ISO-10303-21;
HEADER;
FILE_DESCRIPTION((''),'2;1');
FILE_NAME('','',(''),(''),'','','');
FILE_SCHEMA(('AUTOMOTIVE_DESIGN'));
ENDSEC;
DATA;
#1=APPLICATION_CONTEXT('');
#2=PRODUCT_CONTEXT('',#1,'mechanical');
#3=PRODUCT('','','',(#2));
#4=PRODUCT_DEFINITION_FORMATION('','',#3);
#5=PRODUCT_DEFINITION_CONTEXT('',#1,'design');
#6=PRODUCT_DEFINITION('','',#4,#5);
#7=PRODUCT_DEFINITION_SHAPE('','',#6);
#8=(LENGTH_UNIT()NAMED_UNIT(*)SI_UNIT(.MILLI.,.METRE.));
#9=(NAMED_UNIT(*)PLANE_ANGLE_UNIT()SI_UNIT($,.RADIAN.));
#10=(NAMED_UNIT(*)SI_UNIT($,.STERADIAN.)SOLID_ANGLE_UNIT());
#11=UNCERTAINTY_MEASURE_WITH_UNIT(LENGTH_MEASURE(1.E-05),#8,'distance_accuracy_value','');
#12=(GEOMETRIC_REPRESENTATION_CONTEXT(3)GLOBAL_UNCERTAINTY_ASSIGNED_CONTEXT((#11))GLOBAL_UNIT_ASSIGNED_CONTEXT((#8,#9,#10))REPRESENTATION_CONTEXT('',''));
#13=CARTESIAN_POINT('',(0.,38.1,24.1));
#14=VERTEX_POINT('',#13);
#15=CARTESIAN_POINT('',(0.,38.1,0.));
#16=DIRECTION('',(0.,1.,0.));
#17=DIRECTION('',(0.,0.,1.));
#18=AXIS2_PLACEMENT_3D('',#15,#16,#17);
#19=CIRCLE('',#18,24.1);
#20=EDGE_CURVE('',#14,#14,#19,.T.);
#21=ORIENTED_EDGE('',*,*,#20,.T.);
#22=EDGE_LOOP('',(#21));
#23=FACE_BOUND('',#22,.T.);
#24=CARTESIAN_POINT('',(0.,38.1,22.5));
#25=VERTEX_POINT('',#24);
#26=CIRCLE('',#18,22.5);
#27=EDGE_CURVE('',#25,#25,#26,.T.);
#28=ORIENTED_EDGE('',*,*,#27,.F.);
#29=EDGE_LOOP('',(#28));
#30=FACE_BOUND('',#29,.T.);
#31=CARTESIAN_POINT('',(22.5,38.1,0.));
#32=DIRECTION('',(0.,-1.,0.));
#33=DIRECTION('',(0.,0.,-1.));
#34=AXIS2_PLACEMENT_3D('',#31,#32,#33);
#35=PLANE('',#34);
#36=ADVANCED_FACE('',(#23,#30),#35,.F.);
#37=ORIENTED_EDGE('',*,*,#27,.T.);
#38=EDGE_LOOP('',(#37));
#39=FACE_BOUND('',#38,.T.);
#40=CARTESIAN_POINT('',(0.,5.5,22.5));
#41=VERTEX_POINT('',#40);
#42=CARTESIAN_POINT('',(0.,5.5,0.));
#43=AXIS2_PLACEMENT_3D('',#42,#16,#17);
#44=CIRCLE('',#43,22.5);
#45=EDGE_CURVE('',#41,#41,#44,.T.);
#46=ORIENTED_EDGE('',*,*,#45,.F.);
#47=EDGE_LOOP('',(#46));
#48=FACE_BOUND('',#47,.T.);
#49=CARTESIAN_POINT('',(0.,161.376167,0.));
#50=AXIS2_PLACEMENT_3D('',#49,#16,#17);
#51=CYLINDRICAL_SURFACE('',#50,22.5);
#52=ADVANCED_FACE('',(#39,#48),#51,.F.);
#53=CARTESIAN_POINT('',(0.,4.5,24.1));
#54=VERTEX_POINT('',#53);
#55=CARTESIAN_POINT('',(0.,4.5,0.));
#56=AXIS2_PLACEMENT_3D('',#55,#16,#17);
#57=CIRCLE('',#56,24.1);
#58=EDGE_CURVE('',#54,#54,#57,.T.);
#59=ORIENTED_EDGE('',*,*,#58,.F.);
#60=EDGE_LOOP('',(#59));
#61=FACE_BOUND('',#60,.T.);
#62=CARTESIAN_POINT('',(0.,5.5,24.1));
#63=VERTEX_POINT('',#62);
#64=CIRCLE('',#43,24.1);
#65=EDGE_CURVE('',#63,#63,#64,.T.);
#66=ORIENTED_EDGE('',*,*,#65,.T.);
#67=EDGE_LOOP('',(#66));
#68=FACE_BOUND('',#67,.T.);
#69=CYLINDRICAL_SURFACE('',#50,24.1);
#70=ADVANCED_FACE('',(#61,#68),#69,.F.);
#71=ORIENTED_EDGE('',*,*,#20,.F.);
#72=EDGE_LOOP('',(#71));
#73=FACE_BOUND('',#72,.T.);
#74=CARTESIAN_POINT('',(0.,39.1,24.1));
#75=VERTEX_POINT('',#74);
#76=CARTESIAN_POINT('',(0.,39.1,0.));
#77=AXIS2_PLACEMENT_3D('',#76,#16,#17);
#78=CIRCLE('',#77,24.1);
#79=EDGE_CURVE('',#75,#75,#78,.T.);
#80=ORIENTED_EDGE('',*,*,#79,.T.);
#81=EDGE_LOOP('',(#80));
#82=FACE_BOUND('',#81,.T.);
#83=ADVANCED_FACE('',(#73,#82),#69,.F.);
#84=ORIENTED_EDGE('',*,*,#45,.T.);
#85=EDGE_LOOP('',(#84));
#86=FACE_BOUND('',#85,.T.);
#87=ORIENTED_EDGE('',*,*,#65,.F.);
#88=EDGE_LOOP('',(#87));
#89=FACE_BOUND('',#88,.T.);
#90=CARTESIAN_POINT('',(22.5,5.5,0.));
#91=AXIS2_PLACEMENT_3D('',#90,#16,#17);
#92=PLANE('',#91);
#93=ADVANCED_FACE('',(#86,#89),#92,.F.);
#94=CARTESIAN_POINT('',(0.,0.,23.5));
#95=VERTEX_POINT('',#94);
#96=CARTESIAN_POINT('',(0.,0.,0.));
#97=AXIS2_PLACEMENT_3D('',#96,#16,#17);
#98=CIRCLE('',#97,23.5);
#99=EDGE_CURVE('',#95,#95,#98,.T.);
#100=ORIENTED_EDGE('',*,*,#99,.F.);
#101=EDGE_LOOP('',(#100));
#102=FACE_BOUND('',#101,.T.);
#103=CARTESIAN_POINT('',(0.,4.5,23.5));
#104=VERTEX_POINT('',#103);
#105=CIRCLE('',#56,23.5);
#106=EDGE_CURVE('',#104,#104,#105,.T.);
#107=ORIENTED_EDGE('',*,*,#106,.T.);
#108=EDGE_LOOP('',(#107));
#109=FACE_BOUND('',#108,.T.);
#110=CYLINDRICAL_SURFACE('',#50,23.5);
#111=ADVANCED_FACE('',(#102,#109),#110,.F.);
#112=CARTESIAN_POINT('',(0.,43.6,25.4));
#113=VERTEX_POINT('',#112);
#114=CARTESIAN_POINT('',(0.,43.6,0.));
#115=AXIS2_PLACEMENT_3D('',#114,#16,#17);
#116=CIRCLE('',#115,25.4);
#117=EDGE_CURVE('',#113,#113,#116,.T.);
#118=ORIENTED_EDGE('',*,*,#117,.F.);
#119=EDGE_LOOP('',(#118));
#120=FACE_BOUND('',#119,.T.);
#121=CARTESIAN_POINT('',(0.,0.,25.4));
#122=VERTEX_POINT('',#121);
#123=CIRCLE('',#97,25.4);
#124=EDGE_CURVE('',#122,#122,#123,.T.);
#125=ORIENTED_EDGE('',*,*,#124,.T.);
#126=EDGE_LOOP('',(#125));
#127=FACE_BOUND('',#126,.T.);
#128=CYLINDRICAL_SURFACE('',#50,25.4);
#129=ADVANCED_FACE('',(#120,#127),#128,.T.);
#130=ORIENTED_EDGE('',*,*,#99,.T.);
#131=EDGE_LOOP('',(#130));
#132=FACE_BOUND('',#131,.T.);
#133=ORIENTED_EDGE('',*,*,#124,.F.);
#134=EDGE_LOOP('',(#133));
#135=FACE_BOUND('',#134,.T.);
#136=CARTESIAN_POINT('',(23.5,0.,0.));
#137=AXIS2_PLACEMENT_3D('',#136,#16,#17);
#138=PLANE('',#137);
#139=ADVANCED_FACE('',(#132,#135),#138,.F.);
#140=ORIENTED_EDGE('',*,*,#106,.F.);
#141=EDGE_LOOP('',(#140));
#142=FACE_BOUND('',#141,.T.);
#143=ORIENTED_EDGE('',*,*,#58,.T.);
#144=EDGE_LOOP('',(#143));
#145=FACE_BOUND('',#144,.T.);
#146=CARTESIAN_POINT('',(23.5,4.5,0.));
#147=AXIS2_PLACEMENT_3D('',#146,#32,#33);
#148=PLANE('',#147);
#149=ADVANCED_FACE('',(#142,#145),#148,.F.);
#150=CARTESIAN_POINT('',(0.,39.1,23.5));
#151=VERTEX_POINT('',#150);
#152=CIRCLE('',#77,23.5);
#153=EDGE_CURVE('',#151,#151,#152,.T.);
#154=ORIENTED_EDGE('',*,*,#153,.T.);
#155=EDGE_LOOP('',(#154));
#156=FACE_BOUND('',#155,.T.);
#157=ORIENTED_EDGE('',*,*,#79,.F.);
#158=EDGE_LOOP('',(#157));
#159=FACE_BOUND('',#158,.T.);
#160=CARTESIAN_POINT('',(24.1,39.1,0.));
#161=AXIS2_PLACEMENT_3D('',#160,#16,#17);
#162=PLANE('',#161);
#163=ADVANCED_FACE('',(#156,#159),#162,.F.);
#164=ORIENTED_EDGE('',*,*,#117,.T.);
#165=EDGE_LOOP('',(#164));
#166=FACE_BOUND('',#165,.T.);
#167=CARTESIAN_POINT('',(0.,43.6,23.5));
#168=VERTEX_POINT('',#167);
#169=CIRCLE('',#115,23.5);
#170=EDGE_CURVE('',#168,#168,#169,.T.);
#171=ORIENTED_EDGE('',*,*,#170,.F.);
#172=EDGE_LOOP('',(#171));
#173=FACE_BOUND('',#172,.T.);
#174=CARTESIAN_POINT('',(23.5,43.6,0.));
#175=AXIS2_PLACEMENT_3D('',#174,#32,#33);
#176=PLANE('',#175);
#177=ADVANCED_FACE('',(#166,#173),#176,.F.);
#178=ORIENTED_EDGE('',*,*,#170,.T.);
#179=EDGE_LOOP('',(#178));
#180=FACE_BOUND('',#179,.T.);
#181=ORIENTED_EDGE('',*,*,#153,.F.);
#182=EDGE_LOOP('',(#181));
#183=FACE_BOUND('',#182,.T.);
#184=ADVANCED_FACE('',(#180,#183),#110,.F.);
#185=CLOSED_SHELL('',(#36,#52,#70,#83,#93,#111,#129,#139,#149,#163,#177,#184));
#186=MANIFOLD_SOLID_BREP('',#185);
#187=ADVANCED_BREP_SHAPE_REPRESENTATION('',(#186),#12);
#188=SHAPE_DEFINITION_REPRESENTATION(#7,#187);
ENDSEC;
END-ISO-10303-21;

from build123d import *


with BuildPart() as part:
    # 草图1 → 旋转1 (revolve)
    with BuildSketch(Plane.XY, mode=Mode.PRIVATE) as revolve_1_sk:
        Polygon((25.4, 0), (25.4, 43.6), (23.5, 43.6), (23.5, 39.1), (24.1, 39.1), (24.1, 38.1), (22.5, 38.1), (22.5, 5.5), (24.1, 5.5), (24.1, 4.5), (23.5, 4.5), (23.5, 0), align=None)
    revolve(revolve_1_sk.sketch.rotate(Axis((0, 161.376166943, 0), (0, -1, 0)), 90), axis=Axis((0, 161.376166943, 0), (0, -1, 0)))  # turned: the seam where the file's is


solid = part.part
